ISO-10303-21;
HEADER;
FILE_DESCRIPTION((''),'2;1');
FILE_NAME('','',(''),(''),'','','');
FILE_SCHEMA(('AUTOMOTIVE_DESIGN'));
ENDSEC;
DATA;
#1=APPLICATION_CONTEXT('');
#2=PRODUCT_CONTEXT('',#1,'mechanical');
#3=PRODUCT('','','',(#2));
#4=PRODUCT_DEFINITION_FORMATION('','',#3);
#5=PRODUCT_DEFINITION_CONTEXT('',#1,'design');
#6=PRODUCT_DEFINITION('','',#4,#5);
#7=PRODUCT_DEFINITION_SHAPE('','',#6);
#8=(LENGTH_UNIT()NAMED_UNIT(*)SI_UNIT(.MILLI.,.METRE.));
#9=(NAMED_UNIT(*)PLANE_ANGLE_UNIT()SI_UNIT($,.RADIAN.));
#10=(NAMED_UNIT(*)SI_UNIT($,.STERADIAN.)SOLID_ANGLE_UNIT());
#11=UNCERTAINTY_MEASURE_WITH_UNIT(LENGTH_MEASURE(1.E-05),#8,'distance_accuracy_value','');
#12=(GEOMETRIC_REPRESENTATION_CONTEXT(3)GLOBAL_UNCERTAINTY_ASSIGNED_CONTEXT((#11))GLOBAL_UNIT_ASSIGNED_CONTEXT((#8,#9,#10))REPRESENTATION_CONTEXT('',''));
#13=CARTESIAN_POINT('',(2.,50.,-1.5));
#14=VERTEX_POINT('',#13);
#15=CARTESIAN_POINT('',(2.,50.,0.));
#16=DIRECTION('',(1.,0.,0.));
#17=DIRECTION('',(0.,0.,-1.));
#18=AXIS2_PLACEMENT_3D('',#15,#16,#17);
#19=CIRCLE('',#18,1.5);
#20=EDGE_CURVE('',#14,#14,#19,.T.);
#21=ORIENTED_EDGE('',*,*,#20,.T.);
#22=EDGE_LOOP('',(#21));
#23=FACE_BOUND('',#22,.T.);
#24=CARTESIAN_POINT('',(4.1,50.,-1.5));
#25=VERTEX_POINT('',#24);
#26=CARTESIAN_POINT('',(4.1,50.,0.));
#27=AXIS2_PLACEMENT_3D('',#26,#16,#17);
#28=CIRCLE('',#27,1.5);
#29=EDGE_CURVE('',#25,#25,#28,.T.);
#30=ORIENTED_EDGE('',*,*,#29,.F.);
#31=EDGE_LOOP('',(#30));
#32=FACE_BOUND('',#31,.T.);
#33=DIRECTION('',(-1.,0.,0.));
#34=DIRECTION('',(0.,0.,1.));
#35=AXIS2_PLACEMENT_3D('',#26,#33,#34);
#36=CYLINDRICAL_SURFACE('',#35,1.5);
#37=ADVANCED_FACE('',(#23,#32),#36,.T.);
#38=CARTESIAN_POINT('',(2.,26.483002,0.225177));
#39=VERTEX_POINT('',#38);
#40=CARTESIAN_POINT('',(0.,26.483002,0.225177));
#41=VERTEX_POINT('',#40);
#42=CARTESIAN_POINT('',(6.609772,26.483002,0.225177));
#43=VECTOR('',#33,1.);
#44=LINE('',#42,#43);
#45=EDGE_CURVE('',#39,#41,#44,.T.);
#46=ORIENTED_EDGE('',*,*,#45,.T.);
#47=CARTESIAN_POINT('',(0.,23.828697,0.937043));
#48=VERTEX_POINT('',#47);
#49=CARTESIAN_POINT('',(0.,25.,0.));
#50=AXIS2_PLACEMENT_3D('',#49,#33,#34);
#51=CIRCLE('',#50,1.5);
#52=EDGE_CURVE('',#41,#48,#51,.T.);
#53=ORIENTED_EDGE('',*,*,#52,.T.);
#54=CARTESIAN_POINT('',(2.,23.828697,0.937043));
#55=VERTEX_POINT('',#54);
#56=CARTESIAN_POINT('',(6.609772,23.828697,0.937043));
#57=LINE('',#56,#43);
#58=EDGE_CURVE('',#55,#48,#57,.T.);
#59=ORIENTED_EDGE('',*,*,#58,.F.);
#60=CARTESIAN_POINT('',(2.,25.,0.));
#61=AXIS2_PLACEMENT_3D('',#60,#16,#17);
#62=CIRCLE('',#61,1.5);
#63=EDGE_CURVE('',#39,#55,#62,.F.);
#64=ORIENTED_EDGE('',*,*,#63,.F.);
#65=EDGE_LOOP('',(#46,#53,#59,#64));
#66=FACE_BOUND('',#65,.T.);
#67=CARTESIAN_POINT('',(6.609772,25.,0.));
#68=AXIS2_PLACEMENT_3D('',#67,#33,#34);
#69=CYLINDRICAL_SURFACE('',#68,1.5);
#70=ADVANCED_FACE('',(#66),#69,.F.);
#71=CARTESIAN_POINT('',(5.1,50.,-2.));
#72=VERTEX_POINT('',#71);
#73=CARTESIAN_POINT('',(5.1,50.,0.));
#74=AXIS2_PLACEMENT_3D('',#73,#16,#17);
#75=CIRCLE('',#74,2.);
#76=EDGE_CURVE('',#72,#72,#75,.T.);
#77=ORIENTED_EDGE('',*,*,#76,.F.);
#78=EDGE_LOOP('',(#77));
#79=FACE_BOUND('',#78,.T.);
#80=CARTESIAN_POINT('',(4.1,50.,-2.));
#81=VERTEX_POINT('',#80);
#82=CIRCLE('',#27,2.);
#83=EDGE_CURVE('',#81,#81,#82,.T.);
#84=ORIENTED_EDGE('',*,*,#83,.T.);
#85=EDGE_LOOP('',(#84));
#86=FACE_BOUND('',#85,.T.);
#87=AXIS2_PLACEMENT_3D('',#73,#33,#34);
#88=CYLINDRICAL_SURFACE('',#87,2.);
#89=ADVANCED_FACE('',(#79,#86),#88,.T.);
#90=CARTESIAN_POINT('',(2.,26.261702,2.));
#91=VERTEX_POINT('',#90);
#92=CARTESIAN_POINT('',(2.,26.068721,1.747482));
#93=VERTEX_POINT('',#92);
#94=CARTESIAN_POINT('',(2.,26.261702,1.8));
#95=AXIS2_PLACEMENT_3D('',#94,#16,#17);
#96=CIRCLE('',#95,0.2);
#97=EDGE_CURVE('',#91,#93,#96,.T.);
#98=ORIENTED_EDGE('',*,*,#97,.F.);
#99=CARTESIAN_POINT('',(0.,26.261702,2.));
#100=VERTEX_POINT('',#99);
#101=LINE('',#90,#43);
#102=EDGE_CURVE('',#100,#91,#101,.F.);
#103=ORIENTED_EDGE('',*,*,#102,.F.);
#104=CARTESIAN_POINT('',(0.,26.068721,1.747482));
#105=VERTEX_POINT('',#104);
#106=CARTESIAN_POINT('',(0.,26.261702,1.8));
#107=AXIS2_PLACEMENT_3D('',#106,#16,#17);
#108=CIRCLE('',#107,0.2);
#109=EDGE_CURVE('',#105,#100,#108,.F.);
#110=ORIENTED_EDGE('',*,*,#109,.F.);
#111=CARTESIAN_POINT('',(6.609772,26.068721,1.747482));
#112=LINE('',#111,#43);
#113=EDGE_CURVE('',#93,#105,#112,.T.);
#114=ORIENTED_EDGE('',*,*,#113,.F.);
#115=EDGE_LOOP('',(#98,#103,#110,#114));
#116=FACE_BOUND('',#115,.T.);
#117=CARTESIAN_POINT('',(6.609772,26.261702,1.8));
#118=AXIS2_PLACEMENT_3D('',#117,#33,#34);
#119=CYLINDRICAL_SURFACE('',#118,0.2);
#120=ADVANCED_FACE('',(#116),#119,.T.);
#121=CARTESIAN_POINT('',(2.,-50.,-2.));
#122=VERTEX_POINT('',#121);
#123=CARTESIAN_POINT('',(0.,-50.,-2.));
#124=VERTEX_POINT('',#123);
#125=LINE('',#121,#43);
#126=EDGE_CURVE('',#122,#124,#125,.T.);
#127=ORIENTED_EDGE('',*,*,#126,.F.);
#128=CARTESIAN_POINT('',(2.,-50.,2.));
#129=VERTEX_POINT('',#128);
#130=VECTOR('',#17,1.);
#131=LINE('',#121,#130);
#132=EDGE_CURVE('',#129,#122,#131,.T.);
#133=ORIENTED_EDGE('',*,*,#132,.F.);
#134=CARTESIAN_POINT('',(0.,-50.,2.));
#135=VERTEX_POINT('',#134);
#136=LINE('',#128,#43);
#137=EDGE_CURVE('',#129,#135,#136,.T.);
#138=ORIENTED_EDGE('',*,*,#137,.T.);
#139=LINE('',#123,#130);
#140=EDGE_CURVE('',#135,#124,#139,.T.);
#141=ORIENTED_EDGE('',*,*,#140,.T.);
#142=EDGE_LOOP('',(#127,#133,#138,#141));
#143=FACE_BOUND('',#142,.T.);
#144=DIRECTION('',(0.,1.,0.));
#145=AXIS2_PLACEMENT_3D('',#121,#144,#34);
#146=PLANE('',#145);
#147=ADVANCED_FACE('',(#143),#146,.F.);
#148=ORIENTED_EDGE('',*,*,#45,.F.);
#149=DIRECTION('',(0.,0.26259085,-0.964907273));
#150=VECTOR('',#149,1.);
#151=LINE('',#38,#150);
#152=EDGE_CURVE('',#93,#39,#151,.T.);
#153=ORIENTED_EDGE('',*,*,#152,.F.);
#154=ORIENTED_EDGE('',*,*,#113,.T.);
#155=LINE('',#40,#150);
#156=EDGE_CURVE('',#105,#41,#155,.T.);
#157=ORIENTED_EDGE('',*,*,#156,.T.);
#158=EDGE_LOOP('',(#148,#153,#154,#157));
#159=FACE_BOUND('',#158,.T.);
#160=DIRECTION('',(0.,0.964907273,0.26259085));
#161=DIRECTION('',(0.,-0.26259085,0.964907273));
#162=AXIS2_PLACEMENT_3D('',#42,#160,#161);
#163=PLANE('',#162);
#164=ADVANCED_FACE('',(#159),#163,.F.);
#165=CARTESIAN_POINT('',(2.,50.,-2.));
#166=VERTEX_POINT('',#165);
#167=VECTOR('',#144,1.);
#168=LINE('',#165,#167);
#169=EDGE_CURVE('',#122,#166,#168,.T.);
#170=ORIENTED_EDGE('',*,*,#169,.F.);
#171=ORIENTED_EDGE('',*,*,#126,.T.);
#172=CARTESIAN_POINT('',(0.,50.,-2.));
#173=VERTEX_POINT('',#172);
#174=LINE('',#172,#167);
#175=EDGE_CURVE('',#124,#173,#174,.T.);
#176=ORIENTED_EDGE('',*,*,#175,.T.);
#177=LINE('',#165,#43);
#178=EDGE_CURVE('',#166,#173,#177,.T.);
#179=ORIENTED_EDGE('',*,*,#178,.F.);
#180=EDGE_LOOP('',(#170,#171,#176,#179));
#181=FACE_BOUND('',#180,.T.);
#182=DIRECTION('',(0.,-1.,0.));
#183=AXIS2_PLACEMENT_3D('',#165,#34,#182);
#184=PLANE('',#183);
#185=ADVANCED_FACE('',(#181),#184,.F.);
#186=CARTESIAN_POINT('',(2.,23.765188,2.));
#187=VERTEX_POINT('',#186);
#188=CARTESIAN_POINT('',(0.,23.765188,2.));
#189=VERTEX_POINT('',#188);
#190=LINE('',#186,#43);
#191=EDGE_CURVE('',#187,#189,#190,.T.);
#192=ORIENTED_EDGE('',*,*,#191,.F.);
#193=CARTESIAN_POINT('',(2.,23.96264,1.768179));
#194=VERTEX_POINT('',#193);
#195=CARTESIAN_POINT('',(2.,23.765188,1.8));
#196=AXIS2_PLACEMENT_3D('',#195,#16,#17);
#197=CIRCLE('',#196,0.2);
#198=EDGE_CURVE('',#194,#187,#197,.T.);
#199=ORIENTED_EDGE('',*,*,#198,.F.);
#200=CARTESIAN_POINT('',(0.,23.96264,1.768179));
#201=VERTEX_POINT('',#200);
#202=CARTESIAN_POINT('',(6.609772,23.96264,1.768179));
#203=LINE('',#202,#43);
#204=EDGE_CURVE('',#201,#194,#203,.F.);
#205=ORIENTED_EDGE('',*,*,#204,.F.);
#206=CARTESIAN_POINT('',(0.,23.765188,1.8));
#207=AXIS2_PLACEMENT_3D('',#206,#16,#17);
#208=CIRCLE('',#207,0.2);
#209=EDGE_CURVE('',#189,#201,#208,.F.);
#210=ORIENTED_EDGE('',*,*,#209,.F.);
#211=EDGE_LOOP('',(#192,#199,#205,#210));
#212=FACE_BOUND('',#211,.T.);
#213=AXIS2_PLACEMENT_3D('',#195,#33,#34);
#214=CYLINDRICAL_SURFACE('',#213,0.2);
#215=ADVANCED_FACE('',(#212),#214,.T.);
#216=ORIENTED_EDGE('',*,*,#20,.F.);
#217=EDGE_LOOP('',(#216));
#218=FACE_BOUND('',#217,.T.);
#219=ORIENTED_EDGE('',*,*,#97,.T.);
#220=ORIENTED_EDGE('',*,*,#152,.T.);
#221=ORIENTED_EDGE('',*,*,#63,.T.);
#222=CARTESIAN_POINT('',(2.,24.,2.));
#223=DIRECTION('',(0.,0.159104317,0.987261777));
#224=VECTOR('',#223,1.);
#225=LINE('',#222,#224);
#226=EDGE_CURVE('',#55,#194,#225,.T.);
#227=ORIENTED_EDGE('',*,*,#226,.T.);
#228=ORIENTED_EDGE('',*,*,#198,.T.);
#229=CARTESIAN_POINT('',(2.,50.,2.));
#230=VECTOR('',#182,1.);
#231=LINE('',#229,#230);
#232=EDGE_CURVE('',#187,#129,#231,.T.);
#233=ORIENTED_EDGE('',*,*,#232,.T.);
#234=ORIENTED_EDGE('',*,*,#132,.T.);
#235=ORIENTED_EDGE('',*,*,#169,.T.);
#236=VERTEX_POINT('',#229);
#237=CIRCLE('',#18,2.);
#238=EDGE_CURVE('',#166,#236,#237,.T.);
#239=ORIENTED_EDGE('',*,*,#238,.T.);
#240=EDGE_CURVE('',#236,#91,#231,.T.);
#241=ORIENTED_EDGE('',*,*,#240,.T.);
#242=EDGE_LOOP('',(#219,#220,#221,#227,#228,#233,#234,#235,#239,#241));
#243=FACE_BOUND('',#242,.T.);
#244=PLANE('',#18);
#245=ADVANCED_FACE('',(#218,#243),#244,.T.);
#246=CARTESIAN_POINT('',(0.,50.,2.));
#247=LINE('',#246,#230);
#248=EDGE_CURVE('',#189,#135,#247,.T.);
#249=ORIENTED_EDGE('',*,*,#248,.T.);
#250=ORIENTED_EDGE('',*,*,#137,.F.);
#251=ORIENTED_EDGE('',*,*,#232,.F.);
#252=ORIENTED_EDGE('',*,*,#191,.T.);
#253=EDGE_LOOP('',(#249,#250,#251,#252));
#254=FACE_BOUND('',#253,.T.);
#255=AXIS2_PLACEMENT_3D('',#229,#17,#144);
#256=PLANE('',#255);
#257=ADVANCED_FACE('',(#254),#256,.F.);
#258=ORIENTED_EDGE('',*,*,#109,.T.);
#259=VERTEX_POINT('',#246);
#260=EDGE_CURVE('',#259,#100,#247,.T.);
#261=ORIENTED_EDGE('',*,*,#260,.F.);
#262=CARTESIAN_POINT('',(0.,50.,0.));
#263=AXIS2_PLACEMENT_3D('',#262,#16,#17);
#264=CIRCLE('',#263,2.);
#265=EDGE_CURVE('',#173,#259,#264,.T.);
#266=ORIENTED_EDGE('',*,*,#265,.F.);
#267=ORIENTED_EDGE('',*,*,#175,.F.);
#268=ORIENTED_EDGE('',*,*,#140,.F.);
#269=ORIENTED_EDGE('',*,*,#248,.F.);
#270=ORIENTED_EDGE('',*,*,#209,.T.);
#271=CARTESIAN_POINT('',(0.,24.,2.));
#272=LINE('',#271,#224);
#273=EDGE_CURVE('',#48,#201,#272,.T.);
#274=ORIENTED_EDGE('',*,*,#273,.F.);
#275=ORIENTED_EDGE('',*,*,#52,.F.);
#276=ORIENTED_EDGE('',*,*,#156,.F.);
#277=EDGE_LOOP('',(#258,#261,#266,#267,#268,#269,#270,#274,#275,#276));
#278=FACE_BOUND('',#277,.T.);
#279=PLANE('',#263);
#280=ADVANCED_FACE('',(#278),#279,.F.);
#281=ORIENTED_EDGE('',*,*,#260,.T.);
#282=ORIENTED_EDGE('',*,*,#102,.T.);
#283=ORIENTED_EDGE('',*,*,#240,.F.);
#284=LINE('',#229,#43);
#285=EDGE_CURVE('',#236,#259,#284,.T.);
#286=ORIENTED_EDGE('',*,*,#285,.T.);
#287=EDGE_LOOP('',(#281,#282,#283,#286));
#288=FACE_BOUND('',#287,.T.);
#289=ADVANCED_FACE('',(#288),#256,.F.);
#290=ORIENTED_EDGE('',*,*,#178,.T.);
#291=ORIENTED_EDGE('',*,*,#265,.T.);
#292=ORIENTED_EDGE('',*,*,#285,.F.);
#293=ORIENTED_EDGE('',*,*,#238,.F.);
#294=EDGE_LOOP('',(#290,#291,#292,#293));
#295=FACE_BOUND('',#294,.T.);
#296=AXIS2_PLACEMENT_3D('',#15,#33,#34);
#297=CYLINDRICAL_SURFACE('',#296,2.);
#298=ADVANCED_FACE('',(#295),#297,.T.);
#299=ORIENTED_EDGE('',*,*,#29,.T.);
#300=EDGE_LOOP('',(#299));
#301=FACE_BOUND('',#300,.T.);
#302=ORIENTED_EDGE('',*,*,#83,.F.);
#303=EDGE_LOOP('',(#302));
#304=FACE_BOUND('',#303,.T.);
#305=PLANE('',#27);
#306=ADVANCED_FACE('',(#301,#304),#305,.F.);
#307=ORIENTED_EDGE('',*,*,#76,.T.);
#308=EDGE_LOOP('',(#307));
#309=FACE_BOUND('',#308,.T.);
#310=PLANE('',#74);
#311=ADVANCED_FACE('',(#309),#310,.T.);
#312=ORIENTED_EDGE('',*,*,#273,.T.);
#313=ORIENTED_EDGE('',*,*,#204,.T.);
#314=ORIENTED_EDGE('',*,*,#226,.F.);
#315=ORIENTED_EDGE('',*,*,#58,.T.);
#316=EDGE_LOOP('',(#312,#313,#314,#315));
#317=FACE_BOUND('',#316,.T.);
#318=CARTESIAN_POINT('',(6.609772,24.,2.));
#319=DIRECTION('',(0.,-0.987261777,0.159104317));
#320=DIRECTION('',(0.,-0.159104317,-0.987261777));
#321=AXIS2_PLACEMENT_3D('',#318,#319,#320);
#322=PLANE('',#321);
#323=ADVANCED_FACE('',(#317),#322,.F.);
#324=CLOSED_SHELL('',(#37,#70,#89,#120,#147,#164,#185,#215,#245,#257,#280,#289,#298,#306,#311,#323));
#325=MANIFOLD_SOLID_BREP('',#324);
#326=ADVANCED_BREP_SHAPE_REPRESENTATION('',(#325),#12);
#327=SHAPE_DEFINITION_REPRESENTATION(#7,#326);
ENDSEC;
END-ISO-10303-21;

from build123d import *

# Parameters (mm, degrees)
BASE_DEPTH         = 2
ESQUISSE2_R        = 1.5
BOSS_FIX_DEPTH     = 2.1
ESQUISSE3_R        = 2
BOSS_BLOCAGE_DEPTH = 1
VIDE_TIGE_DEPTH    = 2
CONGE_TIGE_R       = 0.2


with BuildPart() as part:
    # Esquisse1 → BASE (new body)
    with BuildSketch(Plane(origin=(0, 0, 0), x_dir=(0, 0, -1), z_dir=(1, 0, 0))):
        with BuildLine():
            Line((2, 50), (2, -50))
            Line((2, -50), (-2, -50))
            Line((-2, -50), (-2, 50))
            ThreePointArc((-2, 50), (0, 52), (2, 50))
        make_face()
    extrude(amount=BASE_DEPTH)

    # Esquisse2 → BOSS FIX (add)
    with BuildSketch(Plane(origin=(2, 0, 0), x_dir=(0, 0, -1), z_dir=(1, 0, 0))):
        with Locations((0, 50)):
            Circle(ESQUISSE2_R)
    extrude(amount=BOSS_FIX_DEPTH)

    # Esquisse3 → BOSS BLOCAGE (add)
    with BuildSketch(Plane(origin=(4.1, 0, 0), x_dir=(0, 0, -1), z_dir=(1, 0, 0))):
        with Locations((0, 50)):
            Circle(ESQUISSE3_R)
    extrude(amount=BOSS_BLOCAGE_DEPTH)

    # Esquisse4 → VIDE TIGE (cut)
    with BuildSketch(Plane.ZY):
        with BuildLine():
            Line((0.225177093, 26.483002116), (2, 26))
            Line((2, 26), (2, 24))
            Line((2, 24), (0.937042571, 23.828696786))
            ThreePointArc((0.937042571, 23.828696786), (-1.448800481, 24.611442197), (0.225177093, 26.483002116))
        make_face()
    extrude(amount=-VIDE_TIGE_DEPTH, mode=Mode.SUBTRACT)

    # CONGE TIGE
    conge_tige_edges = [part.edges().sort_by_distance(p)[0] for p in [
        (1, 24, 2),
        (1, 26, 2),
    ]]
    fillet(conge_tige_edges, radius=CONGE_TIGE_R)


solid = part.part
